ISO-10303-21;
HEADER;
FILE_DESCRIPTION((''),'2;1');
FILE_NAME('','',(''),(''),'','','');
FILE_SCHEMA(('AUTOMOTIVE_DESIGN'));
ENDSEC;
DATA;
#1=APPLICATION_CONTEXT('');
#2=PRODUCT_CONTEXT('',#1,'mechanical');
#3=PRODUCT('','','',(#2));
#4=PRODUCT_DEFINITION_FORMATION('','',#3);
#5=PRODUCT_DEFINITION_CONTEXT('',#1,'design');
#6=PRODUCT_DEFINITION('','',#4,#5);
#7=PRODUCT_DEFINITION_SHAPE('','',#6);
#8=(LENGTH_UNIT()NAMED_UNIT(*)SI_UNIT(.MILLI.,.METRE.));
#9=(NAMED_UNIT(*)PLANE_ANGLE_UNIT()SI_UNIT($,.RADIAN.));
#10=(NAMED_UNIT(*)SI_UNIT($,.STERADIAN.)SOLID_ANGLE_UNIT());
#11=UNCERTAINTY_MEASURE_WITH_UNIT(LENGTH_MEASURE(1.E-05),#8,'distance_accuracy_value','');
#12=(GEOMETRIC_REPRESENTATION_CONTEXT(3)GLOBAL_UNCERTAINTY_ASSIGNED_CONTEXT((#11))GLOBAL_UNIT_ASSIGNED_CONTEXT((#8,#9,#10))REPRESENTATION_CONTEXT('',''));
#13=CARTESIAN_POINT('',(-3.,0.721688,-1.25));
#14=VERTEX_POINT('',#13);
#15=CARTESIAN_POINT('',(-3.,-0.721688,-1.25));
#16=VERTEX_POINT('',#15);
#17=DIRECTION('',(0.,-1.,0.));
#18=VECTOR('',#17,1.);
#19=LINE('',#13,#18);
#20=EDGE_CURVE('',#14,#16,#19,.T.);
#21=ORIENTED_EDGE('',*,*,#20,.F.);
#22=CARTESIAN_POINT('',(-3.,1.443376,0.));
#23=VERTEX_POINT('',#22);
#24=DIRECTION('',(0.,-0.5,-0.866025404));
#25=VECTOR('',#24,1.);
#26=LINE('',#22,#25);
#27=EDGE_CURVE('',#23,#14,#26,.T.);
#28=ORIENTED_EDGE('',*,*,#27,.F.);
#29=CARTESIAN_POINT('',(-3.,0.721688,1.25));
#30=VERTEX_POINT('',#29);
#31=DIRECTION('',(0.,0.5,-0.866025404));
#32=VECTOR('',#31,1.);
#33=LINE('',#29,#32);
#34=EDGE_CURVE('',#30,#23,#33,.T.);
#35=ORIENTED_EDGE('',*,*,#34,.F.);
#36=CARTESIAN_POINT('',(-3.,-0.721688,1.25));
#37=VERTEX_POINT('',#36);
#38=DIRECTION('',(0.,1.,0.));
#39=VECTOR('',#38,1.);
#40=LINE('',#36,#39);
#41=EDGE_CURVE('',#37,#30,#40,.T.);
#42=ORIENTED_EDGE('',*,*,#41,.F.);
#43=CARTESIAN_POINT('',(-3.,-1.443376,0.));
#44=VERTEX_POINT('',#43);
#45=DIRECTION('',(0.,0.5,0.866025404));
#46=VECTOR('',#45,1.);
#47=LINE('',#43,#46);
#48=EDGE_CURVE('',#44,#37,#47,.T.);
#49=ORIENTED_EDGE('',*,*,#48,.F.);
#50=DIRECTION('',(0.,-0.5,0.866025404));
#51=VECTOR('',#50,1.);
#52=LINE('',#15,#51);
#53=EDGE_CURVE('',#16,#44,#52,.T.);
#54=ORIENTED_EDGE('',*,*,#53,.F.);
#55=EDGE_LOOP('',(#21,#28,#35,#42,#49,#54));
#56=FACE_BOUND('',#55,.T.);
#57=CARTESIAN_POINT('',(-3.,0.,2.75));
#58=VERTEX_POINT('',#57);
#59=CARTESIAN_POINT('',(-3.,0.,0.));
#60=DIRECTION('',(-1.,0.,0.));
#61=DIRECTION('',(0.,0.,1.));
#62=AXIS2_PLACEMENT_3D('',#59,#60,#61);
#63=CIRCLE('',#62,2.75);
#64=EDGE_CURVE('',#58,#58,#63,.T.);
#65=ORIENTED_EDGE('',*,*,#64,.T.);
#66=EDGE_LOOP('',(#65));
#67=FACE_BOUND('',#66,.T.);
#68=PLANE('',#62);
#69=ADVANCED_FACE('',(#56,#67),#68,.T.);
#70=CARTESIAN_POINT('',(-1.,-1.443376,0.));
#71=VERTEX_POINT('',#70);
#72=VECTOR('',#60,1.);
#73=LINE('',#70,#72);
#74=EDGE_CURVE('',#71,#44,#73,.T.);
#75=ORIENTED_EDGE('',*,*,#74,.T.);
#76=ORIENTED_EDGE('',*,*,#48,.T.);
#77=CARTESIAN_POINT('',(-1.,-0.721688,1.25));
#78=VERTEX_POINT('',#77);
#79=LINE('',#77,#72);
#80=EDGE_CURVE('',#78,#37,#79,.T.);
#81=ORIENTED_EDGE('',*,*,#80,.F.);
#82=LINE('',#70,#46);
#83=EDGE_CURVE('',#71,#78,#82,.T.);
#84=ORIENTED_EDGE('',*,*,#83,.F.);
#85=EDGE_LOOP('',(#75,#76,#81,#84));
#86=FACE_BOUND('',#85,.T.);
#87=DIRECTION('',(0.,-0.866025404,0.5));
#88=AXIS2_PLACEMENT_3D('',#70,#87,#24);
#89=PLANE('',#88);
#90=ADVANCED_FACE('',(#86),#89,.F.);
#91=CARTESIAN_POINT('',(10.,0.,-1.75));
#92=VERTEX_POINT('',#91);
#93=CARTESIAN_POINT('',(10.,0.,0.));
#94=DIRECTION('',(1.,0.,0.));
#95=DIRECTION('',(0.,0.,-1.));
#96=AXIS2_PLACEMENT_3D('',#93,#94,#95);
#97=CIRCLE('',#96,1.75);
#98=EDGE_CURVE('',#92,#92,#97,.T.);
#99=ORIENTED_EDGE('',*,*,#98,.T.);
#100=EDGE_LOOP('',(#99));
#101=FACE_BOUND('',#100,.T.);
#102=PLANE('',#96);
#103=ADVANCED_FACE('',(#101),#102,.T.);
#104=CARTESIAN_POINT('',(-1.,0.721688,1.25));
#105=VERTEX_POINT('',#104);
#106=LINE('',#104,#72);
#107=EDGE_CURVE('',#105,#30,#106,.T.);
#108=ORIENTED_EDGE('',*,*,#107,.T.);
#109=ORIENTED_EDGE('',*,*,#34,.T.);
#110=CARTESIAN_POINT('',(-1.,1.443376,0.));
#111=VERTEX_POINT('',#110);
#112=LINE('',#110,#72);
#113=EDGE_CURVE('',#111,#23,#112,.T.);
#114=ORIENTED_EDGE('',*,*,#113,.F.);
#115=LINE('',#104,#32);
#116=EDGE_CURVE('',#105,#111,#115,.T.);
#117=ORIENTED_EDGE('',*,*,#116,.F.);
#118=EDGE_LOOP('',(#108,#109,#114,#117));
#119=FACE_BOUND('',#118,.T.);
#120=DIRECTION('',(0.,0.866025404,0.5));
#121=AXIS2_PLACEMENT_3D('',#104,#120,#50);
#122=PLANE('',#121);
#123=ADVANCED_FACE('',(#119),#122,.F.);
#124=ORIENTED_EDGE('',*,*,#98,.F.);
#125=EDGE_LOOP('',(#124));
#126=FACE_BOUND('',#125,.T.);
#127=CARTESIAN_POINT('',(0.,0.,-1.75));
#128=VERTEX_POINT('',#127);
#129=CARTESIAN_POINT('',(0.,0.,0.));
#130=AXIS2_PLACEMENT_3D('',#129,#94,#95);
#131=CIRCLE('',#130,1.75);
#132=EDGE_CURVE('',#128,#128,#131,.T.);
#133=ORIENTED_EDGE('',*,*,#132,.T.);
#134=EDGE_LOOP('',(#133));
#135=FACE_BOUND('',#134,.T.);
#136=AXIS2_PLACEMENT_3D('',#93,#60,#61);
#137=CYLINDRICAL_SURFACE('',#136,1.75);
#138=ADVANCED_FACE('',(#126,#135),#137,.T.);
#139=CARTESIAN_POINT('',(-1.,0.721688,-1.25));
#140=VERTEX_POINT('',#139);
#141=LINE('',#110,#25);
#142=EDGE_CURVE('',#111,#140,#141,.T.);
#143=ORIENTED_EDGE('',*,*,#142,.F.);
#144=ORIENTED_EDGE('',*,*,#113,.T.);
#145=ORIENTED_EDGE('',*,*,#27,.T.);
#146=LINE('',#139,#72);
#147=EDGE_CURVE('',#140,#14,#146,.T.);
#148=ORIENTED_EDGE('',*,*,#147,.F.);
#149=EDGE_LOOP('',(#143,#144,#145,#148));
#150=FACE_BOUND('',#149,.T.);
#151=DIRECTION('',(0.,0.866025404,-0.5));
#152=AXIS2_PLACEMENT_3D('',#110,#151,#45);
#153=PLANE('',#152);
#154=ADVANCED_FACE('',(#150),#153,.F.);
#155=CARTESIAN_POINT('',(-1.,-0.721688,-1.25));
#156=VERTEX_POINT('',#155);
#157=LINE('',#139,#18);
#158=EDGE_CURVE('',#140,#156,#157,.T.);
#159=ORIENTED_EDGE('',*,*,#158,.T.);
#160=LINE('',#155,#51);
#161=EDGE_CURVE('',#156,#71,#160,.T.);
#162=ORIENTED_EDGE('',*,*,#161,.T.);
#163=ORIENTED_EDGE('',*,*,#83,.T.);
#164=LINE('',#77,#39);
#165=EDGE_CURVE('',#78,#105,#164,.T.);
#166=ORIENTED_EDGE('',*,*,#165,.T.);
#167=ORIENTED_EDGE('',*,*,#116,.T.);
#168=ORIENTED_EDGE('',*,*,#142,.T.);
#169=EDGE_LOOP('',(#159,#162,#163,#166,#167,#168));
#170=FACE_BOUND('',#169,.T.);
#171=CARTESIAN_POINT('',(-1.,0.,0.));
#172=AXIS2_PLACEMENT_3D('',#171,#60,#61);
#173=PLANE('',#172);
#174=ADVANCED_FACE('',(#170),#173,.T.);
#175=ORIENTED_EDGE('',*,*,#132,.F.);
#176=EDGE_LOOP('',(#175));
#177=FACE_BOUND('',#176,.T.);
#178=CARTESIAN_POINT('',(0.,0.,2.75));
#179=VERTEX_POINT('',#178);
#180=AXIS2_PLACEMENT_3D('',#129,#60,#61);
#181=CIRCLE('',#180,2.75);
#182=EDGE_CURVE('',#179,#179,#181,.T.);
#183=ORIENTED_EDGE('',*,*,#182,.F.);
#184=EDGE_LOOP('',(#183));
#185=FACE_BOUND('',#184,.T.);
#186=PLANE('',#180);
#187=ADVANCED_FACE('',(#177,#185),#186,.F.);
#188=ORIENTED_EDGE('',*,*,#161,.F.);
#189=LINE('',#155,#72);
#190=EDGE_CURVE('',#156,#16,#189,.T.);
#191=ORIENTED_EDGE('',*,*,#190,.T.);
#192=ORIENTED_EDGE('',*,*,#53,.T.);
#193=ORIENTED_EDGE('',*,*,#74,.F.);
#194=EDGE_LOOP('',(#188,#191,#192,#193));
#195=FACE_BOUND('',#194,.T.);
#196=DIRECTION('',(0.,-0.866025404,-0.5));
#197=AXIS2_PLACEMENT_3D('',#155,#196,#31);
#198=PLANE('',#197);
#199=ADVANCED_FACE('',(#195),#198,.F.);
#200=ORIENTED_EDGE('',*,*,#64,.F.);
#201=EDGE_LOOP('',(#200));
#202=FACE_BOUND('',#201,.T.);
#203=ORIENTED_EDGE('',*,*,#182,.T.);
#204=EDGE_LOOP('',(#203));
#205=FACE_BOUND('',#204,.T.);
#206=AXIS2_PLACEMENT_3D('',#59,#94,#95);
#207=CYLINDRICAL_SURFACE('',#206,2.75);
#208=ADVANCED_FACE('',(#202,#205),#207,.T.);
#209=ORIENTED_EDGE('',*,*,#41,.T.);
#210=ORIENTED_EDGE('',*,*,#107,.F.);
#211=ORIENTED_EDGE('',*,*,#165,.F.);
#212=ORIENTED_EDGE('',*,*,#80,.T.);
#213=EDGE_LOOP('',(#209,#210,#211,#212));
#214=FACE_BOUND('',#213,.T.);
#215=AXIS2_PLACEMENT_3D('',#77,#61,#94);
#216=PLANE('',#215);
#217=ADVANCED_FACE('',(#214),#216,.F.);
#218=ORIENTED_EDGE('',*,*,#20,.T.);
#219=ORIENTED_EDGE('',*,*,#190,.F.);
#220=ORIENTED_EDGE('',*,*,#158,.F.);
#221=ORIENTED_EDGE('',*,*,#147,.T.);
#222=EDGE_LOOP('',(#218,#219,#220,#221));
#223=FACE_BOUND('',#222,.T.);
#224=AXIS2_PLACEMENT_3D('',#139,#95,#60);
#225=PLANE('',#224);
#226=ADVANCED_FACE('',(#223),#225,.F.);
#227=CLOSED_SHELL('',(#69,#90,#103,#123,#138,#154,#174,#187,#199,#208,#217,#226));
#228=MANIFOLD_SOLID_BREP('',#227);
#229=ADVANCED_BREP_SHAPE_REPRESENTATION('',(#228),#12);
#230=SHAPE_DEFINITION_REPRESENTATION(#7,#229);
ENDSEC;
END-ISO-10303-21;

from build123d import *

# Parameters (mm, degrees)
SKETCH1_R             = 1.75
THREADED_SCREW_DEPTH  = 10
SKETCH2_R             = 2.75
ROUND_HEAD_DEPTH      = 3
HEX_SOCKET_SIZE_DEPTH = 2


with BuildPart() as part:
    # Sketch1 → Threaded_Screw (new body)
    with BuildSketch(Plane(origin=(0, 0, 0), x_dir=(0, 0, -1), z_dir=(1, 0, 0))):
        Circle(SKETCH1_R)
    extrude(amount=THREADED_SCREW_DEPTH)

    # Sketch2 → Round_Head (add)
    with BuildSketch(Plane.ZY):
        Circle(SKETCH2_R)
    extrude(amount=ROUND_HEAD_DEPTH)

    # Sketch3 → Hex_Socket_Size (cut)
    with BuildSketch(Plane.ZY.offset(3)):
        Polygon((1.25, -0.721687836), (1.25, 0.721687836), (0, 1.443375673), (-1.25, 0.721687836), (-1.25, -0.721687836), (0, -1.443375673), align=None)
    extrude(amount=-HEX_SOCKET_SIZE_DEPTH, mode=Mode.SUBTRACT)


solid = part.part
